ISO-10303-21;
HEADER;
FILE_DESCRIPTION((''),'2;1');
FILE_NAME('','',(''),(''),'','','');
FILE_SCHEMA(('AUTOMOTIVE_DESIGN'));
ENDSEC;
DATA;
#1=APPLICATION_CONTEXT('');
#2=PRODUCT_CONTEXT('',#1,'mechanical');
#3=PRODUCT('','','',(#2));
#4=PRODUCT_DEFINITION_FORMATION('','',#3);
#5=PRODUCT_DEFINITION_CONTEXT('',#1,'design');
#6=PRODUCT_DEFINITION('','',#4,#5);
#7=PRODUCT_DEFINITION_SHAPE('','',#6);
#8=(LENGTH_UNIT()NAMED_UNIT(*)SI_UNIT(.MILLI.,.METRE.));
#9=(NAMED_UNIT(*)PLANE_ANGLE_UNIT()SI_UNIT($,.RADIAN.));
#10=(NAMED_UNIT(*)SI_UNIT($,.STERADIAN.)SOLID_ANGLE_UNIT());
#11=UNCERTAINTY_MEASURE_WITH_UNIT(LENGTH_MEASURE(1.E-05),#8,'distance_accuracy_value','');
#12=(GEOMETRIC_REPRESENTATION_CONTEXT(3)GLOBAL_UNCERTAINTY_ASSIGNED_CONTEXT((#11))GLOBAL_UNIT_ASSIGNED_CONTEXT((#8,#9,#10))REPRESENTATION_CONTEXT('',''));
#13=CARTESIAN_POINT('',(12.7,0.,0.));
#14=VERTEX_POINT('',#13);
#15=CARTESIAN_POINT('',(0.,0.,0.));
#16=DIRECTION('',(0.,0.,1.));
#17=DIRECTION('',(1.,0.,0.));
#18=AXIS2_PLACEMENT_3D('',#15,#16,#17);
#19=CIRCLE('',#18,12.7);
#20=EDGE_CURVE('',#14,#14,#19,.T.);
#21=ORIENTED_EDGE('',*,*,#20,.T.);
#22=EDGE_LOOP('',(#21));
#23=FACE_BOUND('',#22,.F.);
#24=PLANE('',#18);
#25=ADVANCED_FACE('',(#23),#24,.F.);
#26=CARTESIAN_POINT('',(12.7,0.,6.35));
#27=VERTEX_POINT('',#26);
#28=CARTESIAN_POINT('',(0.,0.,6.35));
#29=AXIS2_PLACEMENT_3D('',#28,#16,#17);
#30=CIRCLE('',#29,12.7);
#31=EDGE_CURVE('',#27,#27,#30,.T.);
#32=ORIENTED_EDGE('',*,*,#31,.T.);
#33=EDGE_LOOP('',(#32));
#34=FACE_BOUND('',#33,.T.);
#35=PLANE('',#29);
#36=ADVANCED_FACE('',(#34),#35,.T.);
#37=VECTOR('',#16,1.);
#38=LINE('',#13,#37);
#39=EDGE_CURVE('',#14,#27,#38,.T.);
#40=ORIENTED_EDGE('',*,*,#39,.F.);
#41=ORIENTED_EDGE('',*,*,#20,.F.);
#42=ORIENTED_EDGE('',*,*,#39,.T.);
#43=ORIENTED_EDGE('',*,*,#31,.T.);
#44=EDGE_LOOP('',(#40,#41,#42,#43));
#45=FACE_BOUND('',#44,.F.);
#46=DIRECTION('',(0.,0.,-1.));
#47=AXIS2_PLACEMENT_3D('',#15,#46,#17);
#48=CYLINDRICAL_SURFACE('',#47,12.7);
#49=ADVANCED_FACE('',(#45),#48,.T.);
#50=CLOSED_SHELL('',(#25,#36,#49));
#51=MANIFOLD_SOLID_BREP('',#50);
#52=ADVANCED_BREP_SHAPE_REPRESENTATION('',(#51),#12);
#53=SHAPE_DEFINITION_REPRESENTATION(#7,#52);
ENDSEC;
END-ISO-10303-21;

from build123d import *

# Parameters (mm, degrees)
SKETCH1_R           = 12.7
BOSS_EXTRUDE1_DEPTH = 6.35


with BuildPart() as part:
    # Sketch1 → Boss-Extrude1 (new body)
    with BuildSketch(Plane.XY):
        Circle(SKETCH1_R)
    extrude(amount=BOSS_EXTRUDE1_DEPTH)


solid = part.part
